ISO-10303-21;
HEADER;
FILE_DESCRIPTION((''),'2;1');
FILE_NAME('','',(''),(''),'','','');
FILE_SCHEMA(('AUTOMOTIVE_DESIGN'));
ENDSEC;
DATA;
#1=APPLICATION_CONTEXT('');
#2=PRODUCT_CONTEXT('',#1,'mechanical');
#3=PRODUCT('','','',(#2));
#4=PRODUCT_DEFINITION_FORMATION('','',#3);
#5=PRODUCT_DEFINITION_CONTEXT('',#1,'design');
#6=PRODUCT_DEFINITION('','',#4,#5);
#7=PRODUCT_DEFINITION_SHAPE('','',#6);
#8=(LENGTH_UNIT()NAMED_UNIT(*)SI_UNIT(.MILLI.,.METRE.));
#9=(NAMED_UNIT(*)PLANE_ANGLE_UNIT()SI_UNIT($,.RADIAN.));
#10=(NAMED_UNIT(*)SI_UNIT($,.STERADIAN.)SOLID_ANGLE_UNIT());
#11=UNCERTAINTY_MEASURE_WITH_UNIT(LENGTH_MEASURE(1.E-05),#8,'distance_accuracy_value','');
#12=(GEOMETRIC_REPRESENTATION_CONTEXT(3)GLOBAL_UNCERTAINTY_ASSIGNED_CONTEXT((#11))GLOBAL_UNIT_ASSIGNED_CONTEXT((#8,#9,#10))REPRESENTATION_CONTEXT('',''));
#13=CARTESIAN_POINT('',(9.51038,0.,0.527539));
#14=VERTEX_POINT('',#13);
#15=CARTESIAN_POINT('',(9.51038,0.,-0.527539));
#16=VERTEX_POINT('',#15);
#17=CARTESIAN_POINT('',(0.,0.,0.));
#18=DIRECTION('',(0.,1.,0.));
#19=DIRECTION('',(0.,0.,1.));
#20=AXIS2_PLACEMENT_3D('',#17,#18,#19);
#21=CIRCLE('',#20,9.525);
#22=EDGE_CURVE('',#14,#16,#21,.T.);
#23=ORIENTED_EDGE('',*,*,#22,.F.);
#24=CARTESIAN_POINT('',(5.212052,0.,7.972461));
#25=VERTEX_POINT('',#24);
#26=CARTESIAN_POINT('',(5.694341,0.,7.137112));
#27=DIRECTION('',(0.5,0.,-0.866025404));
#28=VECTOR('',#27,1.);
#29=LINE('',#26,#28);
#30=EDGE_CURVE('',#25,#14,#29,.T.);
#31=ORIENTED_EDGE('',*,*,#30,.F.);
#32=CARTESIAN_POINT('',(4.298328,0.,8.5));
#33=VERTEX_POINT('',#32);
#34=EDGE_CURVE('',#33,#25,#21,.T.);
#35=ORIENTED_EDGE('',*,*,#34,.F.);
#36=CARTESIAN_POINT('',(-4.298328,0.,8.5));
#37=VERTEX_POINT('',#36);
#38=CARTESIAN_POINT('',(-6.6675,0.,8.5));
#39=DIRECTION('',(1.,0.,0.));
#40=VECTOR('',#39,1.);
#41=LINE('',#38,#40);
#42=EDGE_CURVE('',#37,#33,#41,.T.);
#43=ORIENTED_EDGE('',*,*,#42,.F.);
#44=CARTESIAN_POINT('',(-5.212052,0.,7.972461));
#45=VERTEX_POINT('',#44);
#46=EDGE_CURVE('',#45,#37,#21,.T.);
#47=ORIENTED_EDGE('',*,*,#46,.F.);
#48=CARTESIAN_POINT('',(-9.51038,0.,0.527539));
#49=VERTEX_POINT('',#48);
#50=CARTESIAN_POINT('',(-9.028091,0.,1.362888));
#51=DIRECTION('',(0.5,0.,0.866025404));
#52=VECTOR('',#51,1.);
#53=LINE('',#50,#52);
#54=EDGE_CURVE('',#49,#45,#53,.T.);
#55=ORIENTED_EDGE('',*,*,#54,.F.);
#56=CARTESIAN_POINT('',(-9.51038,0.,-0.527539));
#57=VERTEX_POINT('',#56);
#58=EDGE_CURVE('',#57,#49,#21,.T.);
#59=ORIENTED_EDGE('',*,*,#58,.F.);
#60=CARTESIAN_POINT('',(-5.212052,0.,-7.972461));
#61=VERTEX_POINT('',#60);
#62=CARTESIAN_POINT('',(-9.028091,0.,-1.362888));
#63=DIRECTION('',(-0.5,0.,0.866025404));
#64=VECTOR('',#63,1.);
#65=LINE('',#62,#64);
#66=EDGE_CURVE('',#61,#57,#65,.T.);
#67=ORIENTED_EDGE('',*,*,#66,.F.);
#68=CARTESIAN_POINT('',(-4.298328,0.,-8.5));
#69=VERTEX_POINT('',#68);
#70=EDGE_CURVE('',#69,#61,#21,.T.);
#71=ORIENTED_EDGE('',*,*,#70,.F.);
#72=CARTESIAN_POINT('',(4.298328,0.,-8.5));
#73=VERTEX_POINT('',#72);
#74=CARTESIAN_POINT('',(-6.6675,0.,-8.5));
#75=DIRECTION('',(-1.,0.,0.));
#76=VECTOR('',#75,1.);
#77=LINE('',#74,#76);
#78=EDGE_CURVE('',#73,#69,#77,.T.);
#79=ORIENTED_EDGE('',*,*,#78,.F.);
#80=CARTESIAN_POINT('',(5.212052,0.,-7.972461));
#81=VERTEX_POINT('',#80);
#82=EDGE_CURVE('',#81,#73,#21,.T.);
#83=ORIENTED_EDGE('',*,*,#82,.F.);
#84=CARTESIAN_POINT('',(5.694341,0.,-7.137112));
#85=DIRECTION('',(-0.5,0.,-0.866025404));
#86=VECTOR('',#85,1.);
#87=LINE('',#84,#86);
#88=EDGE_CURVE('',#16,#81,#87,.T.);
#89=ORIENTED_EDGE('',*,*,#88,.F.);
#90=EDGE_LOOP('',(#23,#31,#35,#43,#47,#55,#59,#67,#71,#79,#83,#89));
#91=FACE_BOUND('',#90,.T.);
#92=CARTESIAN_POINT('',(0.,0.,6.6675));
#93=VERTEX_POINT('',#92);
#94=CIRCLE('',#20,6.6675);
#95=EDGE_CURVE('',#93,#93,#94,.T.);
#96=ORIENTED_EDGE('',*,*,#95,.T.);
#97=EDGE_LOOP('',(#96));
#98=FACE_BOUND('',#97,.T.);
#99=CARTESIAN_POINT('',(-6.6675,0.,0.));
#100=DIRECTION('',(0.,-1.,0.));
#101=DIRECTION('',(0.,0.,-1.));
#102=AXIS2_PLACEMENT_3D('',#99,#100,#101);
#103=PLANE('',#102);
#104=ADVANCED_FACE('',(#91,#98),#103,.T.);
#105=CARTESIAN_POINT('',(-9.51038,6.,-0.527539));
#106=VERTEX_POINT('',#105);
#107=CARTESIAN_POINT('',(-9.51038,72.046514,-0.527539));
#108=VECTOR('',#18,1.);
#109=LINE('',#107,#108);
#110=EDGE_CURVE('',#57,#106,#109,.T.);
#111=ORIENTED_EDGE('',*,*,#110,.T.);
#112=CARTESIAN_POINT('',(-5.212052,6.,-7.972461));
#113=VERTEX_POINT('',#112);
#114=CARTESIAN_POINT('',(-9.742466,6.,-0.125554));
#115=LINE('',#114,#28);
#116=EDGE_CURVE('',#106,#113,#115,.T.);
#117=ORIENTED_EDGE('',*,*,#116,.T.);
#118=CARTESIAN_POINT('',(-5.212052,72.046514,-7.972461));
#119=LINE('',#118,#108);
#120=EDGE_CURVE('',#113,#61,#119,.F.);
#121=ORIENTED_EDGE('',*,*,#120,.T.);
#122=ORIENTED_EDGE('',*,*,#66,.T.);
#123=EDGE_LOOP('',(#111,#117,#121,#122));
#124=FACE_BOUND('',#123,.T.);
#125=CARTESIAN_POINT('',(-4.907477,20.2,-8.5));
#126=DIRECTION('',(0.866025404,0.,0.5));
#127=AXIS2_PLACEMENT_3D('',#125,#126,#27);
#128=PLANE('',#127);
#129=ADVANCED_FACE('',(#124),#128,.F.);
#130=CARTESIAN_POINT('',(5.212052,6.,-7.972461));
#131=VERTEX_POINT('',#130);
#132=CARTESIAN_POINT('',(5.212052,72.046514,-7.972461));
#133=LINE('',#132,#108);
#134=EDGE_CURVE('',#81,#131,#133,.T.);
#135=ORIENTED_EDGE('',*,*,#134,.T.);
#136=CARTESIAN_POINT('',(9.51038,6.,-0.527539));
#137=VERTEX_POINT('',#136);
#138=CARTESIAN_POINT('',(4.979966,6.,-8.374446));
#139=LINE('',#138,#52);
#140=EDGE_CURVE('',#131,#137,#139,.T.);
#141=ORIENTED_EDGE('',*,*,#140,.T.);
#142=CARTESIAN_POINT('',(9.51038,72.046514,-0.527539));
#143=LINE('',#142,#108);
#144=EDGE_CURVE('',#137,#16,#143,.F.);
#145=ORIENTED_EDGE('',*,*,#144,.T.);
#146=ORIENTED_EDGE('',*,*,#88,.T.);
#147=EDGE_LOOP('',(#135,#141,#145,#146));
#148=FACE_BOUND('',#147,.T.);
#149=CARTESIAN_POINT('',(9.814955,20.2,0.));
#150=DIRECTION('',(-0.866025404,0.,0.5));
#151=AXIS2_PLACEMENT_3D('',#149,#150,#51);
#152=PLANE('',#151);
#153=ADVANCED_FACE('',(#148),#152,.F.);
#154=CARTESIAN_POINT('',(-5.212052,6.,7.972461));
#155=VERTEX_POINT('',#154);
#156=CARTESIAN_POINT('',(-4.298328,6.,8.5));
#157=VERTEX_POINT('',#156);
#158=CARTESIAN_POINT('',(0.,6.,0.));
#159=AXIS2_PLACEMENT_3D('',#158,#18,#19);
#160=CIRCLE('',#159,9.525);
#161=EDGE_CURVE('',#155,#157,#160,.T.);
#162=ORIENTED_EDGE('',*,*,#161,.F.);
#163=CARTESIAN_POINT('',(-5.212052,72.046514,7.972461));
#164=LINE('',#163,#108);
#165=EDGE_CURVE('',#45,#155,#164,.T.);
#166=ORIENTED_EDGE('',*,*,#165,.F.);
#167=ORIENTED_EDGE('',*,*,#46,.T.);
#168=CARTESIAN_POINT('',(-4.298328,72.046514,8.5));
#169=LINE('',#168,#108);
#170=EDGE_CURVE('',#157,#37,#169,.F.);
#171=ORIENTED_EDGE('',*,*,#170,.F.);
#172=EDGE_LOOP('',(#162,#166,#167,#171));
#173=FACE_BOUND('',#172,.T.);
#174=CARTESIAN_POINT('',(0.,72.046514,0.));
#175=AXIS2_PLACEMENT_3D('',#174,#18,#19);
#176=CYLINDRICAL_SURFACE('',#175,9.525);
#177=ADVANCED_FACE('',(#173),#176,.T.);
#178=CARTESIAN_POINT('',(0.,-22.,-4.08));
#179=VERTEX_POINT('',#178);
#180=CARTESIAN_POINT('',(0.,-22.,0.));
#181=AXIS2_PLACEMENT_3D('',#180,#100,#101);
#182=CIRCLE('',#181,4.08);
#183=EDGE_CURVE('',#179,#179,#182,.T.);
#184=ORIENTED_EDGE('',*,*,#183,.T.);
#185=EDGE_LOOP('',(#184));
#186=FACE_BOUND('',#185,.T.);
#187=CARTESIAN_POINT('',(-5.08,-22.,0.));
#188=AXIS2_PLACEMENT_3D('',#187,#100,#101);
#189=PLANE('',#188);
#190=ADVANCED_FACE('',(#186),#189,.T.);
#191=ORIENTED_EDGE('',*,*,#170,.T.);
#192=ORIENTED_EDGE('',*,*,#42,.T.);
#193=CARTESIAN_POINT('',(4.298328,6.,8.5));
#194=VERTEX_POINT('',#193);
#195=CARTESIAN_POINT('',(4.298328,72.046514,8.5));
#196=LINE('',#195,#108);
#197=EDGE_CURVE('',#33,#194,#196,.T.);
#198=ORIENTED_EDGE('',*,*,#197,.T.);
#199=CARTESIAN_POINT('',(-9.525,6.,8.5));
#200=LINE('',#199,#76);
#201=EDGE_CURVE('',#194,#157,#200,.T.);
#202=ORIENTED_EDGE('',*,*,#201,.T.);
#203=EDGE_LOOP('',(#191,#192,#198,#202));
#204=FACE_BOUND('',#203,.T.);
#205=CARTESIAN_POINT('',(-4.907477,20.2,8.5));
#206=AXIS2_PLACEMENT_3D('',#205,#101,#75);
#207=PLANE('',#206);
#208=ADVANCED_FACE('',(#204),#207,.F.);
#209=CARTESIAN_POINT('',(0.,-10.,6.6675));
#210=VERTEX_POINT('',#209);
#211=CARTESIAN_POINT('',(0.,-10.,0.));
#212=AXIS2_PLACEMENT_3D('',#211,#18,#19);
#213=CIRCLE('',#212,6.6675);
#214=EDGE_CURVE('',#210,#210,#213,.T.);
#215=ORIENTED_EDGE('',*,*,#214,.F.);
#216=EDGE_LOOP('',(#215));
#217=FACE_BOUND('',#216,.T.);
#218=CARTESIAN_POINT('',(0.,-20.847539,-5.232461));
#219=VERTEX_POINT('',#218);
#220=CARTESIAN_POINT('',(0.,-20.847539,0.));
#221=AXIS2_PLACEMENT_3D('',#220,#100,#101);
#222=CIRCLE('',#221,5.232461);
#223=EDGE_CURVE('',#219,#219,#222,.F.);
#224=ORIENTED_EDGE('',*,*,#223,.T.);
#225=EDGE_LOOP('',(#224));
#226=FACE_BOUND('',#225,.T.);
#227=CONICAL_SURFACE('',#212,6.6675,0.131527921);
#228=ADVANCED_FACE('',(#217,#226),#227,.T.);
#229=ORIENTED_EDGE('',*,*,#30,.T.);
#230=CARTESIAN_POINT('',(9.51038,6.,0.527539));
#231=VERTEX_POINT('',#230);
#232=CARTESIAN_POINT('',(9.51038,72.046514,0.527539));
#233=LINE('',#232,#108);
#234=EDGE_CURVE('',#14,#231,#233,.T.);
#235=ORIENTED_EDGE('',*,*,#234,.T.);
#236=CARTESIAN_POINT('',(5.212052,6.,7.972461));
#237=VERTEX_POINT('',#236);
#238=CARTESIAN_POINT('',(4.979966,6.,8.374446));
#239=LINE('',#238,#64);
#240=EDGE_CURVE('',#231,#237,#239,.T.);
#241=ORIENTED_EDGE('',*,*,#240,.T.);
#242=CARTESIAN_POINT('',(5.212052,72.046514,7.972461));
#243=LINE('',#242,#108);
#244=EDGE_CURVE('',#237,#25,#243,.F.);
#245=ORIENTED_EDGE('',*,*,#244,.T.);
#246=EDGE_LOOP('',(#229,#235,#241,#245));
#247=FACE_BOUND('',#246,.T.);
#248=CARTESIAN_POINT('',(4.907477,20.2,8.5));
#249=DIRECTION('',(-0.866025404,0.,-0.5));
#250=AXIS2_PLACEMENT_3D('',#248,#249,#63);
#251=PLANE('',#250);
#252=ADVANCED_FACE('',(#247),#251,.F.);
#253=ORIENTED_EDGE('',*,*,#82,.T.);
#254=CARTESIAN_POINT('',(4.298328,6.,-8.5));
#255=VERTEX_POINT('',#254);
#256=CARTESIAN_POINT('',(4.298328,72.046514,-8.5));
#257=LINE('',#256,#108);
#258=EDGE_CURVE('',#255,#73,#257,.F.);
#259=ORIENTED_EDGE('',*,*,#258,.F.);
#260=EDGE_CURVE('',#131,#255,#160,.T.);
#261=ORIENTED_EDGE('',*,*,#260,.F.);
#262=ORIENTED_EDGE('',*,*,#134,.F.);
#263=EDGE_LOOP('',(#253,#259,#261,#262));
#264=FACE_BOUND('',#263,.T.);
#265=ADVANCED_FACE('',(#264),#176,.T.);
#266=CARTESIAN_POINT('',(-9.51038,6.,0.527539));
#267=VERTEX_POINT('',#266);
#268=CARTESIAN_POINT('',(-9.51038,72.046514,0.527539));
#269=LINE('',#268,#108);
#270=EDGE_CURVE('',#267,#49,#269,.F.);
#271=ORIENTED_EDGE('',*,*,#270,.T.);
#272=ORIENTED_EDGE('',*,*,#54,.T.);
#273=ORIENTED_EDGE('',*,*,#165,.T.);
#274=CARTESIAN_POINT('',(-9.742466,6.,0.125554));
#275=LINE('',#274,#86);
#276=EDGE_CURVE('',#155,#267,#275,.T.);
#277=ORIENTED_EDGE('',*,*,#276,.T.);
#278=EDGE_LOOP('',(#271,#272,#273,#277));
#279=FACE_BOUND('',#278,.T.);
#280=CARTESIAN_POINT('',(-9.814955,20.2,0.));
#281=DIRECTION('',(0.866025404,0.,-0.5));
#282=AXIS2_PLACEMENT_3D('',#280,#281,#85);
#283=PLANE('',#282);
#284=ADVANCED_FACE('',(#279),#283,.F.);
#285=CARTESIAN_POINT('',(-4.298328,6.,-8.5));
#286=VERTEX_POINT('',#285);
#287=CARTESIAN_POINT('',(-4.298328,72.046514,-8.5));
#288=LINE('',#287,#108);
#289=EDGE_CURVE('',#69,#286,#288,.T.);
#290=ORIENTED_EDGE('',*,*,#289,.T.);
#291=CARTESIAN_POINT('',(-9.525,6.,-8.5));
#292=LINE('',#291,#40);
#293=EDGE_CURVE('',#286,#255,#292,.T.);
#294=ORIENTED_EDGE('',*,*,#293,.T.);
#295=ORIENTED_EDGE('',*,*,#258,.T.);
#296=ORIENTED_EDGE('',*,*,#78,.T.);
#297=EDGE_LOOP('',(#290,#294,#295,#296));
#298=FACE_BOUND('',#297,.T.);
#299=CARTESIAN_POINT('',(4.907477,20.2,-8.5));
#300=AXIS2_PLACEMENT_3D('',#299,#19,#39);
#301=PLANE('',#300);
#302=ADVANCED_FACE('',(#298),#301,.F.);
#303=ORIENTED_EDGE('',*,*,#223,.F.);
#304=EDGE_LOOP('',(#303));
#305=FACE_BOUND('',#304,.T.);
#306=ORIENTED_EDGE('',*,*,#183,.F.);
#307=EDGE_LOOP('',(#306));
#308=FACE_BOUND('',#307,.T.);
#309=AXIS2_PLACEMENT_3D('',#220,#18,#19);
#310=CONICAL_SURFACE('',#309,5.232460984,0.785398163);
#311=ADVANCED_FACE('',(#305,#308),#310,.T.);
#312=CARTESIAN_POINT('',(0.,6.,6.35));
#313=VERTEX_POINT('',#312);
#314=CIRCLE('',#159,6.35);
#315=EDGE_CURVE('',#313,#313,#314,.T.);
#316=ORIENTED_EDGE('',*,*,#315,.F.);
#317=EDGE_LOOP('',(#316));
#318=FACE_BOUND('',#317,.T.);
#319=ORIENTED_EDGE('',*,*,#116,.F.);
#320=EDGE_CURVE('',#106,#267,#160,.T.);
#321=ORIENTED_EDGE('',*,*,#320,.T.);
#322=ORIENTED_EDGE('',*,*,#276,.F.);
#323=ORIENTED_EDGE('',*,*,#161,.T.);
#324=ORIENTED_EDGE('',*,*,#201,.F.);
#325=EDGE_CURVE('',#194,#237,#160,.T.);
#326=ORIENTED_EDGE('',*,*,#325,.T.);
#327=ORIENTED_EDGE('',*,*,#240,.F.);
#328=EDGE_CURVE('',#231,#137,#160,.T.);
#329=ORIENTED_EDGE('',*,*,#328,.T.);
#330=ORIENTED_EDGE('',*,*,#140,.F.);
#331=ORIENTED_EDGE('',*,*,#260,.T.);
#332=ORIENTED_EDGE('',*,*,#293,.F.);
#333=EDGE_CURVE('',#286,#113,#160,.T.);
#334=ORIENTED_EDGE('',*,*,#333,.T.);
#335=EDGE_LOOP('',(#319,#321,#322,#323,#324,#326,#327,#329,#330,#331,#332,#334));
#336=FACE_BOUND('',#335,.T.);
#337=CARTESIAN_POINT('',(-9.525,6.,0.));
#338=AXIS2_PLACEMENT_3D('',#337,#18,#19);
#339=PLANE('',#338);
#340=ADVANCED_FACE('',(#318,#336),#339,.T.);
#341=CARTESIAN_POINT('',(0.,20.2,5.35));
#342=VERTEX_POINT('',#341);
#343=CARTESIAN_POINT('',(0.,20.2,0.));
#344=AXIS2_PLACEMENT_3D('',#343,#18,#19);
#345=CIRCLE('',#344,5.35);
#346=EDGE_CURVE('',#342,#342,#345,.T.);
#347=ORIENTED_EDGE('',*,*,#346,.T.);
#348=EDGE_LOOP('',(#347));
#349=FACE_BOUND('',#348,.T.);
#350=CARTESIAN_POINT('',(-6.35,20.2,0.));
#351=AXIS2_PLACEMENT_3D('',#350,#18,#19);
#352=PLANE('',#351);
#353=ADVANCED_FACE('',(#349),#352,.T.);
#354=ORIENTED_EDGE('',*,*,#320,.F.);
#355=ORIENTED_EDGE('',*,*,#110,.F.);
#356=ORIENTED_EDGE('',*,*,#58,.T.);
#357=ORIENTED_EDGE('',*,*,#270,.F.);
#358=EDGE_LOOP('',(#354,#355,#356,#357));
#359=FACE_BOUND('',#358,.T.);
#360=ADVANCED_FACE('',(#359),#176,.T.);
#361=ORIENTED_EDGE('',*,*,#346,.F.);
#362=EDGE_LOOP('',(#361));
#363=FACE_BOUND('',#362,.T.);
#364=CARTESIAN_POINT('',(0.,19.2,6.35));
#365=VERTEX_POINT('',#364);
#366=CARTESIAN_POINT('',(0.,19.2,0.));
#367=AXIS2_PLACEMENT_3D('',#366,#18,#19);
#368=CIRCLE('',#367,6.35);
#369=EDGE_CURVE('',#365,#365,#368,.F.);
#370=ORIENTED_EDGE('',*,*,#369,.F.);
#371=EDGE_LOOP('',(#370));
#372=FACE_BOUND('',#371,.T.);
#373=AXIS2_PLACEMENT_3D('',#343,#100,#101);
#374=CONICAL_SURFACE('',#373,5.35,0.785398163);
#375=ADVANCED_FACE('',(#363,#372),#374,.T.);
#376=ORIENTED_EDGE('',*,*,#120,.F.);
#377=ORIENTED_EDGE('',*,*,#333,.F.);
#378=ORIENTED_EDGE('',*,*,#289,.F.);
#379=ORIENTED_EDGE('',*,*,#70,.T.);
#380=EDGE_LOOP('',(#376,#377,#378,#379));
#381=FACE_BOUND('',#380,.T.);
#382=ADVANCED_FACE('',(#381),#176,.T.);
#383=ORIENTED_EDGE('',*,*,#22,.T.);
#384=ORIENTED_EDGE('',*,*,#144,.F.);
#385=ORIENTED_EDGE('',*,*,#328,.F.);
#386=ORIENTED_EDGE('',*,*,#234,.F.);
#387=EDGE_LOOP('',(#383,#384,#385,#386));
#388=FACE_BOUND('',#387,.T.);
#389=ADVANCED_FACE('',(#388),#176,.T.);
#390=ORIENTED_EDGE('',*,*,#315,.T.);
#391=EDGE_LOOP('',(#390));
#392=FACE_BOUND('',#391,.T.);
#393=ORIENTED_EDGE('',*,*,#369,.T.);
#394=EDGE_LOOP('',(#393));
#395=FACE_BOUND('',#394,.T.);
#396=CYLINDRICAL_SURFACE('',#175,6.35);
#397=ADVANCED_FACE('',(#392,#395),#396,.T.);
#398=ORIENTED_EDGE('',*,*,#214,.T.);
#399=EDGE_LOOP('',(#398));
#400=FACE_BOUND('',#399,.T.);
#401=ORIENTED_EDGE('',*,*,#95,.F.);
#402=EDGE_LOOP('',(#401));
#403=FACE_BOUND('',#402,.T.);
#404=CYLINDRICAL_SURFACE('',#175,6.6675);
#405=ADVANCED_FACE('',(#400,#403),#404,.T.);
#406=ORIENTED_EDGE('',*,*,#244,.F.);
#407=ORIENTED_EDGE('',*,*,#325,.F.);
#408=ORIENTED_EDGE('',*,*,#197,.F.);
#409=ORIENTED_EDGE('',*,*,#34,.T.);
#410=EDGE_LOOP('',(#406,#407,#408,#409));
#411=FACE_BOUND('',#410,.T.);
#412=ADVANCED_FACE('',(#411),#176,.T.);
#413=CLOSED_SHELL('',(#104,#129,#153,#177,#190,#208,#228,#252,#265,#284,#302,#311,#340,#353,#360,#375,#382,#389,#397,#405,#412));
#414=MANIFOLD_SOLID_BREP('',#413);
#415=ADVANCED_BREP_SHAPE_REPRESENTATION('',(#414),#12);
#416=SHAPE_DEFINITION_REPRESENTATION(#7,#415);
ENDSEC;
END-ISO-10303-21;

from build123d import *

# Parameters (mm, degrees)
CHAMFER1_SIZE         = 1
CHAMFER1_EDGE_2_SIZE2 = 1
CHAMFER1_EDGE_2_SIZE  = 1.162501902
SKETCH4_OUTSIDE_W     = 31.064
SKETCH4_OUTSIDE_H     = 31.064
CUT_EXTRUDE3_DEPTH    = 21.2


with BuildPart() as part:
    # Sketch1 → Revolve1 (revolve)
    with BuildSketch(Plane.XY):
        Polygon((-6.6675, 0), (-9.525, 0), (-9.525, 6), (-6.35, 6), (-6.35, 20.2), (0, 20.2), (0, -22), (-5.08, -22), (-6.6675, -10), align=None)
    revolve(axis=Axis((0, 72.046513776, 0), (0, -1, 0)))

    # Chamfer1
    chamfer1_edges = [part.edges().sort_by_distance(p)[0] for p in [
        (6.35, 20.2, 0),
    ]]
    chamfer(chamfer1_edges, length=CHAMFER1_SIZE)

    # Chamfer1 edge 2
    chamfer1_edge_2_edges = [part.edges().sort_by_distance(p)[0] for p in [
        (5.08, -22, 0),
    ]]
    chamfer(chamfer1_edge_2_edges, length=CHAMFER1_EDGE_2_SIZE, length2=CHAMFER1_EDGE_2_SIZE2)

    # Sketch4 outside → Cut-Extrude3 (cut, through all)
    with BuildSketch(Plane(origin=(0, 0, 0), x_dir=(1, 0, 0), z_dir=(0, 1, 0))):
        Rectangle(SKETCH4_OUTSIDE_W, SKETCH4_OUTSIDE_H)
        Polygon((9.814954576, 0), (4.907477288, 8.5), (-4.907477288, 8.5), (-9.814954576, 0), (-4.907477288, -8.5), (4.907477288, -8.5), align=None, mode=Mode.SUBTRACT)
    extrude(amount=CUT_EXTRUDE3_DEPTH, mode=Mode.SUBTRACT)


solid = part.part
